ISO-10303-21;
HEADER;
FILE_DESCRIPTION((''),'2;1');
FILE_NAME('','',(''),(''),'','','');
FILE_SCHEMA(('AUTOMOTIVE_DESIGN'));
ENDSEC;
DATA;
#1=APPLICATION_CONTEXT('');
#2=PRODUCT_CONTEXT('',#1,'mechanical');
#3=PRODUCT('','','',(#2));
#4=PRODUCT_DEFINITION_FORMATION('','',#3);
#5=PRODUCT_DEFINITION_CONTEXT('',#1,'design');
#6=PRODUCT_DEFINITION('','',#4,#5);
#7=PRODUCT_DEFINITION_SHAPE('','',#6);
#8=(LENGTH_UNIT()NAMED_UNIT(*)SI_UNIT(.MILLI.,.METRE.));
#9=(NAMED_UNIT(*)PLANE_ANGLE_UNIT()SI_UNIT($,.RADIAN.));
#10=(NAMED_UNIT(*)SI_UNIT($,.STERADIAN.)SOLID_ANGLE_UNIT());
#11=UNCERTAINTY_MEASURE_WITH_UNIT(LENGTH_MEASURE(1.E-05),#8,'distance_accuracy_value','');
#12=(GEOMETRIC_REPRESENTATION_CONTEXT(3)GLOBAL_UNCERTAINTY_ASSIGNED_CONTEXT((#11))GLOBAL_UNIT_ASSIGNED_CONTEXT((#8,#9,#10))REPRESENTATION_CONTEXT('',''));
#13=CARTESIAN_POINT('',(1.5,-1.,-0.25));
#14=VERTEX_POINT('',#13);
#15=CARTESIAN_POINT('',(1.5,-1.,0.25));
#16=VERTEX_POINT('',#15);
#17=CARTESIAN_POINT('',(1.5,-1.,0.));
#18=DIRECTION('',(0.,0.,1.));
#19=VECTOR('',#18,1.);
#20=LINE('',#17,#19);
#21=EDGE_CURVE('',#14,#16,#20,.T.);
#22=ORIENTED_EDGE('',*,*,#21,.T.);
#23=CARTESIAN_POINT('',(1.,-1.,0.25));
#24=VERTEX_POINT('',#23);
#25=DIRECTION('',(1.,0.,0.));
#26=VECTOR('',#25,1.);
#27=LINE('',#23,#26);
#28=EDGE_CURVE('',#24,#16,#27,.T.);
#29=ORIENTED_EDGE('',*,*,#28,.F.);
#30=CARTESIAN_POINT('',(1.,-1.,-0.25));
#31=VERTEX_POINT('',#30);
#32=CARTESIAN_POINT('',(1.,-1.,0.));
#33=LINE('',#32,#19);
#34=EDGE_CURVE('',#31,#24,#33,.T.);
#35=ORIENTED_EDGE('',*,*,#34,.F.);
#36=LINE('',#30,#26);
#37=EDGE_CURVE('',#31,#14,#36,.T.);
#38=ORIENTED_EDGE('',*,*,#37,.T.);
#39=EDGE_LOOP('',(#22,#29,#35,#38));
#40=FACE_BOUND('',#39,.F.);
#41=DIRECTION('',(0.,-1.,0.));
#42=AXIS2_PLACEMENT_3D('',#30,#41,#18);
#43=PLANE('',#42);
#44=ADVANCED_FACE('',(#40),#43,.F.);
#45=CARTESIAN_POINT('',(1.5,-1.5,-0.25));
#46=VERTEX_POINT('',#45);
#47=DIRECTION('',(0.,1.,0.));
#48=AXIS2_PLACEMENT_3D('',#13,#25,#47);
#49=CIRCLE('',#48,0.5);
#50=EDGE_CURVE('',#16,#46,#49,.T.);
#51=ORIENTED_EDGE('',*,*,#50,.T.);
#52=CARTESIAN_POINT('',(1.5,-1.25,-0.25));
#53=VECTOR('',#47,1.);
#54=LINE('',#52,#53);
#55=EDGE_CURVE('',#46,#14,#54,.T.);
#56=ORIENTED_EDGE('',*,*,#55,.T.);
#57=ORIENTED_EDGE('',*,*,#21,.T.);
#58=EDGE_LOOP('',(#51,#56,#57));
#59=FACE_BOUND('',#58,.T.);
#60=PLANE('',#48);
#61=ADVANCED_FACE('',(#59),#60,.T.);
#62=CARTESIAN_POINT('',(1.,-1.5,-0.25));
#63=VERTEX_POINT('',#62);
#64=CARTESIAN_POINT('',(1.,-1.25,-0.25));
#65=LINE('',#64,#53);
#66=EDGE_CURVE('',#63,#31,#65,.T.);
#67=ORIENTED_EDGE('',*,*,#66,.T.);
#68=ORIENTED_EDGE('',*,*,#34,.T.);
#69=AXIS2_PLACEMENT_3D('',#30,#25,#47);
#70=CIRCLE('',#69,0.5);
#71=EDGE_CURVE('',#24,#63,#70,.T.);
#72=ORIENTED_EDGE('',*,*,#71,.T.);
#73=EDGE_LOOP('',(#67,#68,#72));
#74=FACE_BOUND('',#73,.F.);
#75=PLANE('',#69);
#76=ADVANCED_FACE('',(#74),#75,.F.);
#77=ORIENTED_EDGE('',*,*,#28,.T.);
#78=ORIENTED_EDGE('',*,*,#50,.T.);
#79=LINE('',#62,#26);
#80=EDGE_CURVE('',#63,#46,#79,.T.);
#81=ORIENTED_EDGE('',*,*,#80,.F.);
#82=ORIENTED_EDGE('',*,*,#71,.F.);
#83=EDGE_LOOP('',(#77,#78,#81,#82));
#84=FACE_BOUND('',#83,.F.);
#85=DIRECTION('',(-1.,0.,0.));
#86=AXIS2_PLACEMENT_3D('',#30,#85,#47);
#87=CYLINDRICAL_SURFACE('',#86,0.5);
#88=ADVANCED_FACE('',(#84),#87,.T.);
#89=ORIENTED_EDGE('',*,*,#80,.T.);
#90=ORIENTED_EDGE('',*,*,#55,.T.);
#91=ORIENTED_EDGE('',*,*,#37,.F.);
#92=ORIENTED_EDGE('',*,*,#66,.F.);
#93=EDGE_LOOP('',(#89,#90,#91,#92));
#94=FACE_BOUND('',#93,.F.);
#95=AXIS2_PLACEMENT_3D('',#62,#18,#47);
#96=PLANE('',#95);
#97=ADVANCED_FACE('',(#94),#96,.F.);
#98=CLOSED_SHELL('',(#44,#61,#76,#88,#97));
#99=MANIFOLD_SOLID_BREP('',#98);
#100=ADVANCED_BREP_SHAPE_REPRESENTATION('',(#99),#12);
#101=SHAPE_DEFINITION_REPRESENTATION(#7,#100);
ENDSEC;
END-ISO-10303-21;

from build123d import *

# Parameters (mm, degrees)
SKETCH004_W      = 0.5
SKETCH004_H      = 0.5
EXTRUDE005_DEPTH = 0.5
SKETCH003_R      = 0.5
EXTRUDE006_DEPTH = 0.5


with BuildPart() as extrude005:
    # Sketch004 → Extrude005 (new body)
    with BuildSketch(Plane.YZ.offset(-1.5)):
        with Locations((-1.25, 0)):
            Rectangle(SKETCH004_W, SKETCH004_H)
    extrude(amount=EXTRUDE005_DEPTH)


with BuildPart() as common002:
    # Sketch003 → Extrude006 (new body)
    with BuildSketch(Plane.YZ.offset(-1.5)):
        with Locations((-1, -0.25)):
            Circle(SKETCH003_R)
    extrude(amount=EXTRUDE006_DEPTH)

    # Common002: intersect Extrude005
    add(extrude005.part, mode=Mode.INTERSECT)


with BuildPart() as common002_1:
    # Common002 placement: moved
    add(common002.part.moved(Location((2.5, 0, 0))))


solid = common002_1.part
